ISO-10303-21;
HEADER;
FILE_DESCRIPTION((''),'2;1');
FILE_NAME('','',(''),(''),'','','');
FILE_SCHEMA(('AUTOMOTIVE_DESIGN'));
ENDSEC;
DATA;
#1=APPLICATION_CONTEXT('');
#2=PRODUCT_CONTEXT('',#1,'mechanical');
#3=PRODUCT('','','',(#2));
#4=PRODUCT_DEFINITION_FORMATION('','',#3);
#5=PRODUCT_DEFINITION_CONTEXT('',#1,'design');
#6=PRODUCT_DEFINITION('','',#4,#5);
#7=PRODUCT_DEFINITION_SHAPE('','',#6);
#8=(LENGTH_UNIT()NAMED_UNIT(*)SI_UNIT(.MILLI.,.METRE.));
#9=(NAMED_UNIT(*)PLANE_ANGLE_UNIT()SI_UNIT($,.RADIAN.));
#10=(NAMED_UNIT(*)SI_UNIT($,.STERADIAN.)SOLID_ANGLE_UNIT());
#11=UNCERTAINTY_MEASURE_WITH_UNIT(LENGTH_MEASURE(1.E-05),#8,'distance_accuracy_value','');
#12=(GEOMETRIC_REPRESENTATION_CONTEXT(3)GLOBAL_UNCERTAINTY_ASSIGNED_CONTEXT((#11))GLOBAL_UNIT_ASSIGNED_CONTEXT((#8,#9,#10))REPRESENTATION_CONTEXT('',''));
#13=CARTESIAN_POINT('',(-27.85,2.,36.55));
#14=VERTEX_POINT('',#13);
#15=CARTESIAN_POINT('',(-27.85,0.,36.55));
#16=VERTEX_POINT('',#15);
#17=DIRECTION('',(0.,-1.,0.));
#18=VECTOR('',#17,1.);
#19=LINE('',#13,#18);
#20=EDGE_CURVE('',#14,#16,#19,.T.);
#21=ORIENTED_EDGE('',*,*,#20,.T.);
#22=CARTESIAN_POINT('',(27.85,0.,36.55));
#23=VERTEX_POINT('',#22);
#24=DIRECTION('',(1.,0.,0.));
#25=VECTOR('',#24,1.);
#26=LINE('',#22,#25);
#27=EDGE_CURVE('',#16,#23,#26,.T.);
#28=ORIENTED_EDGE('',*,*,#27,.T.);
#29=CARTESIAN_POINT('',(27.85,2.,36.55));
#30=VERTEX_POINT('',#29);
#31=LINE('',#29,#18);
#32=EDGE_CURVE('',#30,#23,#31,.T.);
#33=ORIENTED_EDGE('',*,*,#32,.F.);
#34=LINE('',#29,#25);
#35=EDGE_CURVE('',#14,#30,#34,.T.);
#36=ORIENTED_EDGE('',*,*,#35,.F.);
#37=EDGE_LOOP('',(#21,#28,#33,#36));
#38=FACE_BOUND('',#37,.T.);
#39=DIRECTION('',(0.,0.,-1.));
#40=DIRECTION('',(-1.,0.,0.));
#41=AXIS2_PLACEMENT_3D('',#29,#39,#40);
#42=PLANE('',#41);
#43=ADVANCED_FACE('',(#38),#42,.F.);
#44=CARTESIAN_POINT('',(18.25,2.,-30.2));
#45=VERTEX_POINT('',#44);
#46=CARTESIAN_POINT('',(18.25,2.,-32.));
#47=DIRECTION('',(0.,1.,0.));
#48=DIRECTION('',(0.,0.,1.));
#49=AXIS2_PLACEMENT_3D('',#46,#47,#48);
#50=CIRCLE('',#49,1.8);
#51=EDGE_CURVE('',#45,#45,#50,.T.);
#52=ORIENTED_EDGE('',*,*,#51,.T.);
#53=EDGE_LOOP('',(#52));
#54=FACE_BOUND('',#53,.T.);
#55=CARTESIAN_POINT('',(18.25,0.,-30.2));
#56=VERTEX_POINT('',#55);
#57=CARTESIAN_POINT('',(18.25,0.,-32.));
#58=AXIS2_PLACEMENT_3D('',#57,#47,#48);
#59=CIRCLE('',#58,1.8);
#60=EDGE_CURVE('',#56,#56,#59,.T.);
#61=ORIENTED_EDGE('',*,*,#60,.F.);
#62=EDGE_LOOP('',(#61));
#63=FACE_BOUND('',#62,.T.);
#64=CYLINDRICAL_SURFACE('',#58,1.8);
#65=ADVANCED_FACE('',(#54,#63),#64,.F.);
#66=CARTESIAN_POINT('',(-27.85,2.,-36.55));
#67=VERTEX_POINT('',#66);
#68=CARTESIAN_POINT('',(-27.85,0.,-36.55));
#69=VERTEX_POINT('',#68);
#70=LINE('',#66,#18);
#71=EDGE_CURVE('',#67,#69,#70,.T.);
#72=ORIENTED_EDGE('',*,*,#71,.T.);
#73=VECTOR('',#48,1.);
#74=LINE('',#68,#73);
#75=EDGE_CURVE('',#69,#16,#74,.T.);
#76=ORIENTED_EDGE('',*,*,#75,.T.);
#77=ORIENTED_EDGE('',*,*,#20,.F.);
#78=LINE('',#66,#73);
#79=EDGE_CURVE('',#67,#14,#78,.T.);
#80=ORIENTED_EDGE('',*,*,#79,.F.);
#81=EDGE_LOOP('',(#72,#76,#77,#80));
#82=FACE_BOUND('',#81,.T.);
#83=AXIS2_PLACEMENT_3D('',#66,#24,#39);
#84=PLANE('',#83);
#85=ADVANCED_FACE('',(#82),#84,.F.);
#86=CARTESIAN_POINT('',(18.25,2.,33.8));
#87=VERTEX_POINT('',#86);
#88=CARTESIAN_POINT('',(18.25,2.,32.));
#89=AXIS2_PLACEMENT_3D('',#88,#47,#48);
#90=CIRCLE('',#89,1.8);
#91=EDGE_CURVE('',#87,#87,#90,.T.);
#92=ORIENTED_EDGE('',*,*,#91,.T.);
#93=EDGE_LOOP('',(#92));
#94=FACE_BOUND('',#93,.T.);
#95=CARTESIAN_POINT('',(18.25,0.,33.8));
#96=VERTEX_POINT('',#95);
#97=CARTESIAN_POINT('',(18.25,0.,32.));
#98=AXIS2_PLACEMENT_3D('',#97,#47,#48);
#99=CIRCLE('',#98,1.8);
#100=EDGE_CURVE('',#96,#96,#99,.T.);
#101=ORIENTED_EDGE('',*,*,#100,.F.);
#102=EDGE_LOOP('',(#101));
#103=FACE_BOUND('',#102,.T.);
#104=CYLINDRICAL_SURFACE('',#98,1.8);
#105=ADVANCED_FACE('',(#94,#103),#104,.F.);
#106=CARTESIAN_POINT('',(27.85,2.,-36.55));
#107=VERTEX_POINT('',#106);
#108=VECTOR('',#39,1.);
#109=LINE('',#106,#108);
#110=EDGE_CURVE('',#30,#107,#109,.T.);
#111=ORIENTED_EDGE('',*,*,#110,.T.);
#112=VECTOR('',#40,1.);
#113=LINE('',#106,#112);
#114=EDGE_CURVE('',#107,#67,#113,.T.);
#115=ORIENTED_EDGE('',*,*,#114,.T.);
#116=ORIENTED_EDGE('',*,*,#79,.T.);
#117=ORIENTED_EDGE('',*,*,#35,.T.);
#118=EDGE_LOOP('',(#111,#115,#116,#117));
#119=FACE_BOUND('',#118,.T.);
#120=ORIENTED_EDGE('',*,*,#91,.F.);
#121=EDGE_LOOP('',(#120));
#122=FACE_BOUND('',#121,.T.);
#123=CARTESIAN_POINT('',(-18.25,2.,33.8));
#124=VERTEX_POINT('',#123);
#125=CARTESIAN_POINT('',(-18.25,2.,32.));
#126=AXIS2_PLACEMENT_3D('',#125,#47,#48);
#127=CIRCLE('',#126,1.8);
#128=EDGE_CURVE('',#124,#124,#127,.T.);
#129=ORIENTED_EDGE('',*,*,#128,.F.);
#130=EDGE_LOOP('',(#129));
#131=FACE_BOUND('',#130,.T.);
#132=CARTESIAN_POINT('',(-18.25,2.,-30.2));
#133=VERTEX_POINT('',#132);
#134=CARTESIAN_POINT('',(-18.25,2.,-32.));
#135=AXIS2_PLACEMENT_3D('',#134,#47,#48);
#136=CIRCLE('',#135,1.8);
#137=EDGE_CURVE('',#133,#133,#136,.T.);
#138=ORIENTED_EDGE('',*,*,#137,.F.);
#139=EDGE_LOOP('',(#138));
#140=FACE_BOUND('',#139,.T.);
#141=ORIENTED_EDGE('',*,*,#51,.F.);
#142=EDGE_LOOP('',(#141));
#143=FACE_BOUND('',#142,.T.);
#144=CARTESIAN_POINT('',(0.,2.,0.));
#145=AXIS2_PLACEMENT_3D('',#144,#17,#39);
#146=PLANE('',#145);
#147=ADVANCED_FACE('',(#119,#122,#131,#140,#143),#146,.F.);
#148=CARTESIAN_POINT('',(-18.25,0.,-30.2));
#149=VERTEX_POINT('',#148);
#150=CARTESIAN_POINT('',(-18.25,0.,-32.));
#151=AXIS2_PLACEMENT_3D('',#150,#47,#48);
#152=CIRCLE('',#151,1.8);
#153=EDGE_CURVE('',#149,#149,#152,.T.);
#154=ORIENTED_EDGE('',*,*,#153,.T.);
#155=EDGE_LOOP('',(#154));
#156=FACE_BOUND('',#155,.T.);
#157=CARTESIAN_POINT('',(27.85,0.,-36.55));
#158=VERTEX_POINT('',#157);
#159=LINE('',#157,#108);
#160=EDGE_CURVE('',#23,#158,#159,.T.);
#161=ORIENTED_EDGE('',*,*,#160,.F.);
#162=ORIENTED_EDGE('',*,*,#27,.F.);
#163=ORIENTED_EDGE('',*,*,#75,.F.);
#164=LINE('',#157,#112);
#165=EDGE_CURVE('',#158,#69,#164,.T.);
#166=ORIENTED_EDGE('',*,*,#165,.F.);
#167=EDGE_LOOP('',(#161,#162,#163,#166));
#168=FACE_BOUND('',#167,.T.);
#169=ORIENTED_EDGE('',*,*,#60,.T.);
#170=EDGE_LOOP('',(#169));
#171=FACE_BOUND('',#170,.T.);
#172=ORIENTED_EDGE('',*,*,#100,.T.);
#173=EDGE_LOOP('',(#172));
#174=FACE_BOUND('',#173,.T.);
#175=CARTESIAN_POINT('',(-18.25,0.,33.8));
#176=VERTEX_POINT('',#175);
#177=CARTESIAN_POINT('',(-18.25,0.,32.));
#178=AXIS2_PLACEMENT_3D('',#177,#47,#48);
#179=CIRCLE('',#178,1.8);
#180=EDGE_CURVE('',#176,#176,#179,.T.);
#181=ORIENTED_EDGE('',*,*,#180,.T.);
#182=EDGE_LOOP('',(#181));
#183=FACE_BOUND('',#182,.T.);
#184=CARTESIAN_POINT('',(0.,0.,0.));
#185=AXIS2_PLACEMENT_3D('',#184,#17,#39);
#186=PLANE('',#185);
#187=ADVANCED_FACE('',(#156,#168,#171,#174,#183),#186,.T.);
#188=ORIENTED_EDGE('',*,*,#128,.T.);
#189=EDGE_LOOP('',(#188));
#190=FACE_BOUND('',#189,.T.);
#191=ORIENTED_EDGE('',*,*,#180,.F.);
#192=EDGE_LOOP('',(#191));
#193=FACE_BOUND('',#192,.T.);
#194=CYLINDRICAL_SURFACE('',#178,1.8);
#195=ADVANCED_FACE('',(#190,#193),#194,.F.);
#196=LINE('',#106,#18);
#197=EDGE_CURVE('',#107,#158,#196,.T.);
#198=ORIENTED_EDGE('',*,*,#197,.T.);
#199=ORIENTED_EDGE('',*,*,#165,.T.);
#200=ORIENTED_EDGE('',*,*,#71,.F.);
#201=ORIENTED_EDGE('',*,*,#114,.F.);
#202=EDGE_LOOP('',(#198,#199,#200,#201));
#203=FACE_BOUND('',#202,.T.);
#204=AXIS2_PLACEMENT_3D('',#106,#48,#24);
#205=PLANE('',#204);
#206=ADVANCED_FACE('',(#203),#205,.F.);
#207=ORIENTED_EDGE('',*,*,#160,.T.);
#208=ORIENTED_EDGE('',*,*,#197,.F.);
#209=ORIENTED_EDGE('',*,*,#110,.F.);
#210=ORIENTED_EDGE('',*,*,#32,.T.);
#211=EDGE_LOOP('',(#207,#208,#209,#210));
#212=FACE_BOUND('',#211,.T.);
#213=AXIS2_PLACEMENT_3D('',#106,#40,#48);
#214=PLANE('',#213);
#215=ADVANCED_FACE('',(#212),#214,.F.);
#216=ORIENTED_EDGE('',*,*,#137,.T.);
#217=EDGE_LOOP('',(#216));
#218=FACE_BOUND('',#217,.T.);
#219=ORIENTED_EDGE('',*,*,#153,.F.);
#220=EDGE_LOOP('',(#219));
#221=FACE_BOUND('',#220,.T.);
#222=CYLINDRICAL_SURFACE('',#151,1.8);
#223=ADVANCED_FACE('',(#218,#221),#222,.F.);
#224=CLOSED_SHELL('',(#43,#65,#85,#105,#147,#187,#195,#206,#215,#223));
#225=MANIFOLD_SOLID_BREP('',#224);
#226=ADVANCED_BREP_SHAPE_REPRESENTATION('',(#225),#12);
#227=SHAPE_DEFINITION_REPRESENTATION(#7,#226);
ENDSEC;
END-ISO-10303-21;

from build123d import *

# Parameters (mm, degrees)
SKETCH2_W           = 55.7
SKETCH2_H           = 73.1
BOSS_EXTRUDE1_DEPTH = 2
SKETCH3_R           = 1.8
CUT_EXTRUDE1_DEPTH  = 46.994836667


with BuildPart() as part:
    # Sketch2 → Boss-Extrude1 (new body)
    with BuildSketch(Plane(origin=(0, 0, 0), x_dir=(1, 0, 0), z_dir=(0, 1, 0))):
        Rectangle(SKETCH2_W, SKETCH2_H)
    extrude(amount=BOSS_EXTRUDE1_DEPTH)

    # Sketch3 → Cut-Extrude1 (cut, through all)
    with BuildSketch(Plane(origin=(0, 2, 0), x_dir=(1, 0, 0), z_dir=(0, 1, 0))):
        with Locations(Location((-18.25, 32, 0), (0, 0, 270))):
            Circle(SKETCH3_R)
        with Locations(Location((18.25, 32, 0), (0, 0, 270))):
            Circle(SKETCH3_R)
        with Locations(Location((-18.25, -32, 0), (0, 0, 270))):
            Circle(SKETCH3_R)
        with Locations(Location((18.25, -32, 0), (0, 0, 270))):
            Circle(SKETCH3_R)
    extrude(amount=-CUT_EXTRUDE1_DEPTH, mode=Mode.SUBTRACT)


solid = part.part
